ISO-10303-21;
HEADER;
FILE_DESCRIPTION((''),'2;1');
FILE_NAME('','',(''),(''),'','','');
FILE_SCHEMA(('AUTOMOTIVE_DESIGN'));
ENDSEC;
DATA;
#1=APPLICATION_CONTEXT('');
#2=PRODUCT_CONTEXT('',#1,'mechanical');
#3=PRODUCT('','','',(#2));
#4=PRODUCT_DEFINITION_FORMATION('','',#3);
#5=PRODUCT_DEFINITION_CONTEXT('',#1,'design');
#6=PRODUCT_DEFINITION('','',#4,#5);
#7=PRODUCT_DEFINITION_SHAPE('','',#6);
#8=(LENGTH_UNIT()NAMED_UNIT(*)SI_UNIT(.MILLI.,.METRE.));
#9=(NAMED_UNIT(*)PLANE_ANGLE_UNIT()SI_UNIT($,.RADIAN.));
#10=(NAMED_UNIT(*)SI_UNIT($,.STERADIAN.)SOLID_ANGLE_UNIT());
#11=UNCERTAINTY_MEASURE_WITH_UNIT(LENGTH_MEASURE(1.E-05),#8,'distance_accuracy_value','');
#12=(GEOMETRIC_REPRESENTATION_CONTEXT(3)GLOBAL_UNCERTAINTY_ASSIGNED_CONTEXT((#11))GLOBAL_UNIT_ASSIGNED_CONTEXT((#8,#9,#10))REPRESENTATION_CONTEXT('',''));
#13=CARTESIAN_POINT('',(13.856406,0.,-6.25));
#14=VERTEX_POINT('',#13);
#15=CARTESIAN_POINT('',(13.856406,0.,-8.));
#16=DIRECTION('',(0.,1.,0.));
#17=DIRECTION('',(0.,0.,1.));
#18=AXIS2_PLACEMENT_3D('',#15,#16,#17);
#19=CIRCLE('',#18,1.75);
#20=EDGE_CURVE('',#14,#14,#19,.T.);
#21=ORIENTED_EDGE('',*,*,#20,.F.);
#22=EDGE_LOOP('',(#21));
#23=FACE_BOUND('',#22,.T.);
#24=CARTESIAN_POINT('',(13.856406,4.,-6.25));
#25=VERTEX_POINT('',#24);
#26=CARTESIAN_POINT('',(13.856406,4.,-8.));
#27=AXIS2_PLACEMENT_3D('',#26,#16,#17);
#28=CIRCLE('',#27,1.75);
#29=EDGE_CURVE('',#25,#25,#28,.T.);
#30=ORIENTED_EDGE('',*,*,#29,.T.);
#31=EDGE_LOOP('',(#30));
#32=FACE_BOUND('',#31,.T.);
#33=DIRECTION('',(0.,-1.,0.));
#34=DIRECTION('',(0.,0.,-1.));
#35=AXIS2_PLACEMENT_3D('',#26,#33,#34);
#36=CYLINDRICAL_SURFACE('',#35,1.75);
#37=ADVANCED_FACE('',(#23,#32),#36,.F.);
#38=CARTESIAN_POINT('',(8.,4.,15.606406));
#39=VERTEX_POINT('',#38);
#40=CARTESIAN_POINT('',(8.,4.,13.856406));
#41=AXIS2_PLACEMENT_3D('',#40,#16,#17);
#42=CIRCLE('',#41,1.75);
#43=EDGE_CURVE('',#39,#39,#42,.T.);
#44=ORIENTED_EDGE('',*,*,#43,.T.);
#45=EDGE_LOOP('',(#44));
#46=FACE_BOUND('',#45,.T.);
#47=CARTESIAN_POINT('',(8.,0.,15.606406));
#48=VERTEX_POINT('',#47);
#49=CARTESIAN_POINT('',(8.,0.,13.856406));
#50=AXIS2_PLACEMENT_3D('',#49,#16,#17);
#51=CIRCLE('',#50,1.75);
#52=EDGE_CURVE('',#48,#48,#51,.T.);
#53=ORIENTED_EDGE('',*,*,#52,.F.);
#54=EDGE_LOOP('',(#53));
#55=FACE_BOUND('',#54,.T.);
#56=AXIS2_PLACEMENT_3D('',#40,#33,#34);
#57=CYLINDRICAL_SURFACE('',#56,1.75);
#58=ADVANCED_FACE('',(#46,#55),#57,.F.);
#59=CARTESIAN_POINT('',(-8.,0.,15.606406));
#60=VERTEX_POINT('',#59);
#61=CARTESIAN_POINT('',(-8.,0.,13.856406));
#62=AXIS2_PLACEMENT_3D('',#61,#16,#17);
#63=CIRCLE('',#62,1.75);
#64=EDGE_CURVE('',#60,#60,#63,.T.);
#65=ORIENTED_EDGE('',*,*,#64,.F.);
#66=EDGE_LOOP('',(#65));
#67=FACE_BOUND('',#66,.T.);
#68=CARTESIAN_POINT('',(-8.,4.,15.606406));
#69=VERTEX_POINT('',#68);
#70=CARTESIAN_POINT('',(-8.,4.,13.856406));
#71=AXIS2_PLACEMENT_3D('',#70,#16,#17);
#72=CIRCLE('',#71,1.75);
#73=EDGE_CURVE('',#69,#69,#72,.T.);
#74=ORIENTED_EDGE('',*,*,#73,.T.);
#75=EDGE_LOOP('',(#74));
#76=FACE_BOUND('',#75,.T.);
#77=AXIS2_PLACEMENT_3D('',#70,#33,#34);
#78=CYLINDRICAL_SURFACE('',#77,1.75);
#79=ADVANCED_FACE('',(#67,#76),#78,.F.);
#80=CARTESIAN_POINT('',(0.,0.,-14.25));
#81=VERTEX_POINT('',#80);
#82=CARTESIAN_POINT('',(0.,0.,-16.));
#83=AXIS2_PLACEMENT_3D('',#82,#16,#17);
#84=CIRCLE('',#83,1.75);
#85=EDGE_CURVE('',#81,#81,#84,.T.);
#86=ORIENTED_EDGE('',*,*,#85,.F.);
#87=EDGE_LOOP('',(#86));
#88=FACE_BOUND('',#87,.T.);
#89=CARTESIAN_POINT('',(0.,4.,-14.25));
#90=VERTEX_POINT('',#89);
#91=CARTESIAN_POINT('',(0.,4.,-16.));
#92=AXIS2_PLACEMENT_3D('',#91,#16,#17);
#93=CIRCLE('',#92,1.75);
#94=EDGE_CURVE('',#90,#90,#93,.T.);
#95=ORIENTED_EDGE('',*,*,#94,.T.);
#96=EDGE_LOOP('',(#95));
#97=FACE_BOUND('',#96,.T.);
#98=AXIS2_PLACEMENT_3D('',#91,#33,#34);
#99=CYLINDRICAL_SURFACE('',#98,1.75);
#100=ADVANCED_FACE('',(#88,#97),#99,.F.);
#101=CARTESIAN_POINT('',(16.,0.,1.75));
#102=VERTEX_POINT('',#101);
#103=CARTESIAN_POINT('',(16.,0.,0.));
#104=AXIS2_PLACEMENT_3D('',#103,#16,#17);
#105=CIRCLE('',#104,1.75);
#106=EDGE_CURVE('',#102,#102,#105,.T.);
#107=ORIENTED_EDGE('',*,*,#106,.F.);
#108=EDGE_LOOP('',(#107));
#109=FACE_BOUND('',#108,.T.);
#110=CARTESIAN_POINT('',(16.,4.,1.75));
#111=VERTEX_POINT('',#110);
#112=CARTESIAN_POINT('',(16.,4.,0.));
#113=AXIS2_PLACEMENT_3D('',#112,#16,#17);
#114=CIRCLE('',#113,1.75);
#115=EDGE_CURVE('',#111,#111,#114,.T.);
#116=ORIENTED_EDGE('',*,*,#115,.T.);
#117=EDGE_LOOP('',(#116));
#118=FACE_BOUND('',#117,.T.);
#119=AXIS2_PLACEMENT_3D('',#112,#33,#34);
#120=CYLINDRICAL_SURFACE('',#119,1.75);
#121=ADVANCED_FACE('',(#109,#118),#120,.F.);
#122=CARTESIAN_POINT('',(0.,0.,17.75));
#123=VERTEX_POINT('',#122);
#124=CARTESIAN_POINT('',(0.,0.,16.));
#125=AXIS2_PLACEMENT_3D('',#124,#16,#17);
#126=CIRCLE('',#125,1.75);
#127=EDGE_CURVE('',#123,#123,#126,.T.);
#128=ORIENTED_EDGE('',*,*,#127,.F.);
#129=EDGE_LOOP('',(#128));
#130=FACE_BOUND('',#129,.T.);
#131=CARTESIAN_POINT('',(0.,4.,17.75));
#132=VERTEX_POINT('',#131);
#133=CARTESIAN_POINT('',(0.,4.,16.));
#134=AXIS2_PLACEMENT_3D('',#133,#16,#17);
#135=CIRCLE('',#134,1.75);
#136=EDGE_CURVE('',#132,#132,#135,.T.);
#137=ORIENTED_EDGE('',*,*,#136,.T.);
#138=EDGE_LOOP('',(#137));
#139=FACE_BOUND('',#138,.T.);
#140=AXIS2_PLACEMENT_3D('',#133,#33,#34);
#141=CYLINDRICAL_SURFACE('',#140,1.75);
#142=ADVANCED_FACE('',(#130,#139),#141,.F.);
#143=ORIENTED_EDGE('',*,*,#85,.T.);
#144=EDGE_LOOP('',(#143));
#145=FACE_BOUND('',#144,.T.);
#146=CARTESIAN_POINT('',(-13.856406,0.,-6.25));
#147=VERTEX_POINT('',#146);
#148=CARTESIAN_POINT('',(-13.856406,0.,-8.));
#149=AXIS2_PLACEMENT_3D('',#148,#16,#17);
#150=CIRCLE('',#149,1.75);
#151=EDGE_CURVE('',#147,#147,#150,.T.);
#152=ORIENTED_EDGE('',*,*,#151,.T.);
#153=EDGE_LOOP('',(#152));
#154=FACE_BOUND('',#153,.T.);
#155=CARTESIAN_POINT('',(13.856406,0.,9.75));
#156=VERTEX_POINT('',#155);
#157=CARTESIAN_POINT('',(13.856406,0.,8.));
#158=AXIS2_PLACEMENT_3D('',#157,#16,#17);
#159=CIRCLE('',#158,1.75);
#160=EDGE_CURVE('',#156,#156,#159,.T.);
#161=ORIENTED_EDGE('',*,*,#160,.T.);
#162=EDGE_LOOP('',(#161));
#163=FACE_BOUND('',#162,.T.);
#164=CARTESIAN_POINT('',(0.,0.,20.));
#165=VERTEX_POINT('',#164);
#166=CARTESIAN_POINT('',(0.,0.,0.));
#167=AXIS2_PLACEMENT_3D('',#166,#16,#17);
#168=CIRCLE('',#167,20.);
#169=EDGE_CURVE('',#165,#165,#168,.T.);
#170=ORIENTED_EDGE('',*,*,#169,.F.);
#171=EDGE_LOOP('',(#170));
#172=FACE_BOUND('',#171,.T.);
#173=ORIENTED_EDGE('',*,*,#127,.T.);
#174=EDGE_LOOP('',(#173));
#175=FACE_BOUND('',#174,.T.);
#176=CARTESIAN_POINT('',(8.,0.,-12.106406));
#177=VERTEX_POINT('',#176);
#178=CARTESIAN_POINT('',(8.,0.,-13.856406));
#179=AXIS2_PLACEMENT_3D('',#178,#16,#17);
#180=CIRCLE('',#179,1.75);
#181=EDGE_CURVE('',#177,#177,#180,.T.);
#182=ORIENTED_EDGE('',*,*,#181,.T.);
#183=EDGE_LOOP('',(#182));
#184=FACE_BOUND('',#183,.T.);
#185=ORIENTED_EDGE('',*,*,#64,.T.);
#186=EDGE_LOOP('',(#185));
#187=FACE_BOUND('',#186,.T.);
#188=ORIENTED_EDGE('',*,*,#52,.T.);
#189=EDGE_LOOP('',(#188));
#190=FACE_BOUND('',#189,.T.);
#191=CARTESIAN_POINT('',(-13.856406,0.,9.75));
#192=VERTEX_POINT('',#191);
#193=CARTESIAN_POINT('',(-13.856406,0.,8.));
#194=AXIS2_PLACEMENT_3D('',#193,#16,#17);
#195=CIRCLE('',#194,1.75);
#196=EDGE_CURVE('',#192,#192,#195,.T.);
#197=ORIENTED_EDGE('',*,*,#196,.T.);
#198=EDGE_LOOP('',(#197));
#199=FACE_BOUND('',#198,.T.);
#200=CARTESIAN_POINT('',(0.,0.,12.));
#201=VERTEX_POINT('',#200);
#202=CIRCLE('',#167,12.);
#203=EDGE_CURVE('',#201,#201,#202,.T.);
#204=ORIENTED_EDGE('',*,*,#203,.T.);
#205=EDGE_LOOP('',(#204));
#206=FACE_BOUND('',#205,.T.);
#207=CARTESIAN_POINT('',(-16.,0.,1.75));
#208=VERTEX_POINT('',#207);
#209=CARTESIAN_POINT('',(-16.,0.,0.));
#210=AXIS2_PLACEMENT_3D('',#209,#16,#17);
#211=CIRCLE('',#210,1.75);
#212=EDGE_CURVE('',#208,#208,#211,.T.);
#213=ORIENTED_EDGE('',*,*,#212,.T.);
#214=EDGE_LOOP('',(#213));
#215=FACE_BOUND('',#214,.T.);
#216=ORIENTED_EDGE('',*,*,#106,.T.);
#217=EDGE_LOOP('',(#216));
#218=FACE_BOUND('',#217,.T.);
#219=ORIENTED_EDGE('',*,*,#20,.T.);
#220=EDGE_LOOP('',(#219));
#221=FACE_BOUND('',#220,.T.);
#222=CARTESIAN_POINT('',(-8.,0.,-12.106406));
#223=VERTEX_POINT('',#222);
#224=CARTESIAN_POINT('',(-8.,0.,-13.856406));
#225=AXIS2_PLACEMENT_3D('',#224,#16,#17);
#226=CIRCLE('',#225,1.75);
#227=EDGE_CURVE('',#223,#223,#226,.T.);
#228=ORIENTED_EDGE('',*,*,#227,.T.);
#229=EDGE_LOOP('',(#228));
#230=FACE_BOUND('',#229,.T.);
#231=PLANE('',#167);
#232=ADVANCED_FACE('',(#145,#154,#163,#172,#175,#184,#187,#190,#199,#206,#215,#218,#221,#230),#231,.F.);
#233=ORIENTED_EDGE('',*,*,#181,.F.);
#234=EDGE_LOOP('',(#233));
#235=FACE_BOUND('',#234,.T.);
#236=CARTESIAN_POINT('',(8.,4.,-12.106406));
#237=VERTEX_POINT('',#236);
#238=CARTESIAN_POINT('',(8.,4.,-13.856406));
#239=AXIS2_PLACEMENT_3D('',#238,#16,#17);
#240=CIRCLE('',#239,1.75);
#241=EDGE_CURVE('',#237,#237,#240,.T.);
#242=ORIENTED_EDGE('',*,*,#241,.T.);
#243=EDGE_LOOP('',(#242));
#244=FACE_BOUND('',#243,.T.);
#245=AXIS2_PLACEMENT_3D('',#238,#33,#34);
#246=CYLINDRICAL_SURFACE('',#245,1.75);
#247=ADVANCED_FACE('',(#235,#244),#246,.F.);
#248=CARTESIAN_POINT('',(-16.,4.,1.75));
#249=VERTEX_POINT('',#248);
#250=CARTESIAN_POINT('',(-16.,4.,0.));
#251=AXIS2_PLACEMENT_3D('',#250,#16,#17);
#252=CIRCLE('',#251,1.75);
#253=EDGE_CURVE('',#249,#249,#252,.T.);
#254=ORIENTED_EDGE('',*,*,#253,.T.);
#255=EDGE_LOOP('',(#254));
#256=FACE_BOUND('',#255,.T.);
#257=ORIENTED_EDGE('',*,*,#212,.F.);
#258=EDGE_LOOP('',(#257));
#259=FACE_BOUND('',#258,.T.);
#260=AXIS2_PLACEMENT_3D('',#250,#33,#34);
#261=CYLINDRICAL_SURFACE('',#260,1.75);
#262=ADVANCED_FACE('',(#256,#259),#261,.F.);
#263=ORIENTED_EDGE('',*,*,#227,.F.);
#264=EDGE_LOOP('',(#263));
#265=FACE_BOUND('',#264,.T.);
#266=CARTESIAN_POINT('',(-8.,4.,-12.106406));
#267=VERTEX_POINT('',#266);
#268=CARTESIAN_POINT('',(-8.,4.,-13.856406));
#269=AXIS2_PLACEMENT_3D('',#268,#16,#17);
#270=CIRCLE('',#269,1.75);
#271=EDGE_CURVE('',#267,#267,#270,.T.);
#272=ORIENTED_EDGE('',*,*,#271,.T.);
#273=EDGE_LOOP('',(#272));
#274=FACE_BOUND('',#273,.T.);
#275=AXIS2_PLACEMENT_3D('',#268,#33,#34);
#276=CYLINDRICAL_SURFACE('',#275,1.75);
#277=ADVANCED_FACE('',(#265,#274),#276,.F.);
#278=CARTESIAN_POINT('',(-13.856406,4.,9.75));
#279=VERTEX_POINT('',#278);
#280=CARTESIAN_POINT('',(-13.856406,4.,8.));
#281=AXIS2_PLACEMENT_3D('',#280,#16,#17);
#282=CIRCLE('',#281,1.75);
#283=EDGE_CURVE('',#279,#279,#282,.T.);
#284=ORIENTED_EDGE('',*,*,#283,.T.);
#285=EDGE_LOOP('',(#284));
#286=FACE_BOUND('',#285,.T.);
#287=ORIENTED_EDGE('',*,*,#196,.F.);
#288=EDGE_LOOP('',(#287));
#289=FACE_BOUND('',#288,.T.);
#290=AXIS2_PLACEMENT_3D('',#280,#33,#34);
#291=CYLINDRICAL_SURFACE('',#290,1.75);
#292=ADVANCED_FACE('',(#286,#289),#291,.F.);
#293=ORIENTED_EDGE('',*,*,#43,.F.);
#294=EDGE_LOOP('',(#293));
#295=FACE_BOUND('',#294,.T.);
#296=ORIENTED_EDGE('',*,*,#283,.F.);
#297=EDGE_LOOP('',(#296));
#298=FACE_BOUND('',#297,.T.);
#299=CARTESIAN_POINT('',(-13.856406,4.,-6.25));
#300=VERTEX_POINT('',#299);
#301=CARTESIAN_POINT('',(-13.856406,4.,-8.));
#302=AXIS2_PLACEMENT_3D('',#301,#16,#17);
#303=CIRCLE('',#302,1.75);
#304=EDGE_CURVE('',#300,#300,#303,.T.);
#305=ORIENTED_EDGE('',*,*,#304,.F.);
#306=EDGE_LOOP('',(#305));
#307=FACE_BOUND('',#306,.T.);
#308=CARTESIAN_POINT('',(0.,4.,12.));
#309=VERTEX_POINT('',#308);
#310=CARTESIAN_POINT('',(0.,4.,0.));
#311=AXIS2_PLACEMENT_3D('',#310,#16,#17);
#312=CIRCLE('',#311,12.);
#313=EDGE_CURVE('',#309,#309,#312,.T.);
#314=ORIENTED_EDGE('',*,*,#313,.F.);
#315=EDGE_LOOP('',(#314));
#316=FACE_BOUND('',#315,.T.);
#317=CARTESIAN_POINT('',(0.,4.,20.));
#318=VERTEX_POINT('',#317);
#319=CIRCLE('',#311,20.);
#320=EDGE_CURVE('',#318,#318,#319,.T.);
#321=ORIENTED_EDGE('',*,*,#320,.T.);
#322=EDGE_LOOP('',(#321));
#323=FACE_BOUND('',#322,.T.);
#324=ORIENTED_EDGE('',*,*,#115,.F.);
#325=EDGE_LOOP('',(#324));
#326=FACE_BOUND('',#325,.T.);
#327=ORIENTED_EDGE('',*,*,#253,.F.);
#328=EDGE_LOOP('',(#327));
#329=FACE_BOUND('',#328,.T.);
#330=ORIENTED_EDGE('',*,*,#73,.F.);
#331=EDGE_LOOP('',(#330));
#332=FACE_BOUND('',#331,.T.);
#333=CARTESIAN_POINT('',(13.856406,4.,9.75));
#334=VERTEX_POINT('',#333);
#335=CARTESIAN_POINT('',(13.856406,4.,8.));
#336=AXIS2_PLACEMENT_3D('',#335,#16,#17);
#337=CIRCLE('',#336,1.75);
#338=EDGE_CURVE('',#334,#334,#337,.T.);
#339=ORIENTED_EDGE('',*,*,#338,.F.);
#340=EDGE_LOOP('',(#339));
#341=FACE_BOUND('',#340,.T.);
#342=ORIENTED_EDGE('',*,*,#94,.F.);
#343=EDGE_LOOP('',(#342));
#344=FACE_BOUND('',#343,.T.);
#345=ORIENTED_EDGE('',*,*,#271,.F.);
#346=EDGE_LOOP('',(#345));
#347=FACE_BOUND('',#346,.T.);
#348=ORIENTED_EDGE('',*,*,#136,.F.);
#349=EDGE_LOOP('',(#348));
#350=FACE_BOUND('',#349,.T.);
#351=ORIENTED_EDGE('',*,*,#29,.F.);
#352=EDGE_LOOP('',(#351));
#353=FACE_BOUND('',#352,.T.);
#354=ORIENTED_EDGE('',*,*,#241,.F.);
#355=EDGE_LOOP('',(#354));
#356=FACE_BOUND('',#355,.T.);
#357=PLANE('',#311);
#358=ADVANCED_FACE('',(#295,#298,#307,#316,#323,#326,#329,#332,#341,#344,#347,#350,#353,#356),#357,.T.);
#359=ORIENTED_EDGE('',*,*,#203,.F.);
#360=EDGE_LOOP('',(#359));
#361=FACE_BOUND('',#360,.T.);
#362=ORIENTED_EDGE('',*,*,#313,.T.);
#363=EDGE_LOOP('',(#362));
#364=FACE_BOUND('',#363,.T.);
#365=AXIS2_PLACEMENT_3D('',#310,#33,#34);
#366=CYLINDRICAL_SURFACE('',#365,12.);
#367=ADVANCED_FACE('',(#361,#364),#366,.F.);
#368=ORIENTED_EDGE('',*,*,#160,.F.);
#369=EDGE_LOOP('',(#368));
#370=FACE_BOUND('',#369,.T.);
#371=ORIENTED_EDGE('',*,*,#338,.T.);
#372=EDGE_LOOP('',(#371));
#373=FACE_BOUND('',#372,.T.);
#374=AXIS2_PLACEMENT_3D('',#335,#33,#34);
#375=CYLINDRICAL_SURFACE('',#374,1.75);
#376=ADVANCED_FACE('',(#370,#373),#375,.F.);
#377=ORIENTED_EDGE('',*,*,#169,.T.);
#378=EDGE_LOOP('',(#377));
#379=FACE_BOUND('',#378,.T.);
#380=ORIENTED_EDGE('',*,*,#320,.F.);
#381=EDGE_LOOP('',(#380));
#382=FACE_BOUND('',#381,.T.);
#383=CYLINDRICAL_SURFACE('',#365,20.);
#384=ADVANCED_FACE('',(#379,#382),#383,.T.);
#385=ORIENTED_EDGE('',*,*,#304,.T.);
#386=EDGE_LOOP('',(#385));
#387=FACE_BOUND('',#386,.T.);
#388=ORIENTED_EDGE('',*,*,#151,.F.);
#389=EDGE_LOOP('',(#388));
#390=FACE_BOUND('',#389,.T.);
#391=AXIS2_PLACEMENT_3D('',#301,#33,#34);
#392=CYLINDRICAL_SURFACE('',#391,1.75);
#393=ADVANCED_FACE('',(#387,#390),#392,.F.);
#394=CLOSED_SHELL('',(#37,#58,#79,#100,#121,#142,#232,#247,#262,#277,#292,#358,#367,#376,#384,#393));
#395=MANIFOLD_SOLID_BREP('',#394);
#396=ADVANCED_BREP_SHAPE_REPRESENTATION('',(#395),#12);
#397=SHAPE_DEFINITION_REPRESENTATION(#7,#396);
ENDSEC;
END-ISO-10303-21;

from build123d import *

# Parameters (mm, degrees)
ESBO_O1_R                = 20
ESBO_O1_R_2              = 1.75
ESBO_O1_R_3              = 12
RESSALTO_EXTRUS_O1_DEPTH = 4


with BuildPart() as part:
    # Esboço1 → Ressalto-extrusão1 (new body)
    with BuildSketch(Plane(origin=(0, 0, 0), x_dir=(1, 0, 0), z_dir=(0, 1, 0))):
        with Locations(Location((0, 0, 0), (0, 0, 270))):
            Circle(ESBO_O1_R)
        with Locations(Location((0, 16, 0), (0, 0, 270))):
            Circle(ESBO_O1_R_2, mode=Mode.SUBTRACT)
        with Locations(Location((8, 13.856406461, 0), (0, 0, 270))):
            Circle(ESBO_O1_R_2, mode=Mode.SUBTRACT)
        with Locations(Location((13.856406461, 8, 0), (0, 0, 270))):
            Circle(ESBO_O1_R_2, mode=Mode.SUBTRACT)
        with Locations(Location((16, 0, 0), (0, 0, 270))):
            Circle(ESBO_O1_R_2, mode=Mode.SUBTRACT)
        with Locations(Location((13.856406461, -8, 0), (0, 0, 270))):
            Circle(ESBO_O1_R_2, mode=Mode.SUBTRACT)
        with Locations(Location((0, -16, 0), (0, 0, 270))):
            Circle(ESBO_O1_R_2, mode=Mode.SUBTRACT)
        with Locations(Location((8, -13.856406461, 0), (0, 0, 270))):
            Circle(ESBO_O1_R_2, mode=Mode.SUBTRACT)
        with Locations(Location((-8, -13.856406461, 0), (0, 0, 270))):
            Circle(ESBO_O1_R_2, mode=Mode.SUBTRACT)
        with Locations(Location((-13.856406461, -8, 0), (0, 0, 270))):
            Circle(ESBO_O1_R_2, mode=Mode.SUBTRACT)
        with Locations(Location((-16, 0, 0), (0, 0, 270))):
            Circle(ESBO_O1_R_2, mode=Mode.SUBTRACT)
        with Locations(Location((-13.856406461, 8, 0), (0, 0, 270))):
            Circle(ESBO_O1_R_2, mode=Mode.SUBTRACT)
        with Locations(Location((-8, 13.856406461, 0), (0, 0, 270))):
            Circle(ESBO_O1_R_2, mode=Mode.SUBTRACT)
        with Locations(Location((0, 0, 0), (0, 0, 270))):
            Circle(ESBO_O1_R_3, mode=Mode.SUBTRACT)
    extrude(amount=RESSALTO_EXTRUS_O1_DEPTH)


solid = part.part
